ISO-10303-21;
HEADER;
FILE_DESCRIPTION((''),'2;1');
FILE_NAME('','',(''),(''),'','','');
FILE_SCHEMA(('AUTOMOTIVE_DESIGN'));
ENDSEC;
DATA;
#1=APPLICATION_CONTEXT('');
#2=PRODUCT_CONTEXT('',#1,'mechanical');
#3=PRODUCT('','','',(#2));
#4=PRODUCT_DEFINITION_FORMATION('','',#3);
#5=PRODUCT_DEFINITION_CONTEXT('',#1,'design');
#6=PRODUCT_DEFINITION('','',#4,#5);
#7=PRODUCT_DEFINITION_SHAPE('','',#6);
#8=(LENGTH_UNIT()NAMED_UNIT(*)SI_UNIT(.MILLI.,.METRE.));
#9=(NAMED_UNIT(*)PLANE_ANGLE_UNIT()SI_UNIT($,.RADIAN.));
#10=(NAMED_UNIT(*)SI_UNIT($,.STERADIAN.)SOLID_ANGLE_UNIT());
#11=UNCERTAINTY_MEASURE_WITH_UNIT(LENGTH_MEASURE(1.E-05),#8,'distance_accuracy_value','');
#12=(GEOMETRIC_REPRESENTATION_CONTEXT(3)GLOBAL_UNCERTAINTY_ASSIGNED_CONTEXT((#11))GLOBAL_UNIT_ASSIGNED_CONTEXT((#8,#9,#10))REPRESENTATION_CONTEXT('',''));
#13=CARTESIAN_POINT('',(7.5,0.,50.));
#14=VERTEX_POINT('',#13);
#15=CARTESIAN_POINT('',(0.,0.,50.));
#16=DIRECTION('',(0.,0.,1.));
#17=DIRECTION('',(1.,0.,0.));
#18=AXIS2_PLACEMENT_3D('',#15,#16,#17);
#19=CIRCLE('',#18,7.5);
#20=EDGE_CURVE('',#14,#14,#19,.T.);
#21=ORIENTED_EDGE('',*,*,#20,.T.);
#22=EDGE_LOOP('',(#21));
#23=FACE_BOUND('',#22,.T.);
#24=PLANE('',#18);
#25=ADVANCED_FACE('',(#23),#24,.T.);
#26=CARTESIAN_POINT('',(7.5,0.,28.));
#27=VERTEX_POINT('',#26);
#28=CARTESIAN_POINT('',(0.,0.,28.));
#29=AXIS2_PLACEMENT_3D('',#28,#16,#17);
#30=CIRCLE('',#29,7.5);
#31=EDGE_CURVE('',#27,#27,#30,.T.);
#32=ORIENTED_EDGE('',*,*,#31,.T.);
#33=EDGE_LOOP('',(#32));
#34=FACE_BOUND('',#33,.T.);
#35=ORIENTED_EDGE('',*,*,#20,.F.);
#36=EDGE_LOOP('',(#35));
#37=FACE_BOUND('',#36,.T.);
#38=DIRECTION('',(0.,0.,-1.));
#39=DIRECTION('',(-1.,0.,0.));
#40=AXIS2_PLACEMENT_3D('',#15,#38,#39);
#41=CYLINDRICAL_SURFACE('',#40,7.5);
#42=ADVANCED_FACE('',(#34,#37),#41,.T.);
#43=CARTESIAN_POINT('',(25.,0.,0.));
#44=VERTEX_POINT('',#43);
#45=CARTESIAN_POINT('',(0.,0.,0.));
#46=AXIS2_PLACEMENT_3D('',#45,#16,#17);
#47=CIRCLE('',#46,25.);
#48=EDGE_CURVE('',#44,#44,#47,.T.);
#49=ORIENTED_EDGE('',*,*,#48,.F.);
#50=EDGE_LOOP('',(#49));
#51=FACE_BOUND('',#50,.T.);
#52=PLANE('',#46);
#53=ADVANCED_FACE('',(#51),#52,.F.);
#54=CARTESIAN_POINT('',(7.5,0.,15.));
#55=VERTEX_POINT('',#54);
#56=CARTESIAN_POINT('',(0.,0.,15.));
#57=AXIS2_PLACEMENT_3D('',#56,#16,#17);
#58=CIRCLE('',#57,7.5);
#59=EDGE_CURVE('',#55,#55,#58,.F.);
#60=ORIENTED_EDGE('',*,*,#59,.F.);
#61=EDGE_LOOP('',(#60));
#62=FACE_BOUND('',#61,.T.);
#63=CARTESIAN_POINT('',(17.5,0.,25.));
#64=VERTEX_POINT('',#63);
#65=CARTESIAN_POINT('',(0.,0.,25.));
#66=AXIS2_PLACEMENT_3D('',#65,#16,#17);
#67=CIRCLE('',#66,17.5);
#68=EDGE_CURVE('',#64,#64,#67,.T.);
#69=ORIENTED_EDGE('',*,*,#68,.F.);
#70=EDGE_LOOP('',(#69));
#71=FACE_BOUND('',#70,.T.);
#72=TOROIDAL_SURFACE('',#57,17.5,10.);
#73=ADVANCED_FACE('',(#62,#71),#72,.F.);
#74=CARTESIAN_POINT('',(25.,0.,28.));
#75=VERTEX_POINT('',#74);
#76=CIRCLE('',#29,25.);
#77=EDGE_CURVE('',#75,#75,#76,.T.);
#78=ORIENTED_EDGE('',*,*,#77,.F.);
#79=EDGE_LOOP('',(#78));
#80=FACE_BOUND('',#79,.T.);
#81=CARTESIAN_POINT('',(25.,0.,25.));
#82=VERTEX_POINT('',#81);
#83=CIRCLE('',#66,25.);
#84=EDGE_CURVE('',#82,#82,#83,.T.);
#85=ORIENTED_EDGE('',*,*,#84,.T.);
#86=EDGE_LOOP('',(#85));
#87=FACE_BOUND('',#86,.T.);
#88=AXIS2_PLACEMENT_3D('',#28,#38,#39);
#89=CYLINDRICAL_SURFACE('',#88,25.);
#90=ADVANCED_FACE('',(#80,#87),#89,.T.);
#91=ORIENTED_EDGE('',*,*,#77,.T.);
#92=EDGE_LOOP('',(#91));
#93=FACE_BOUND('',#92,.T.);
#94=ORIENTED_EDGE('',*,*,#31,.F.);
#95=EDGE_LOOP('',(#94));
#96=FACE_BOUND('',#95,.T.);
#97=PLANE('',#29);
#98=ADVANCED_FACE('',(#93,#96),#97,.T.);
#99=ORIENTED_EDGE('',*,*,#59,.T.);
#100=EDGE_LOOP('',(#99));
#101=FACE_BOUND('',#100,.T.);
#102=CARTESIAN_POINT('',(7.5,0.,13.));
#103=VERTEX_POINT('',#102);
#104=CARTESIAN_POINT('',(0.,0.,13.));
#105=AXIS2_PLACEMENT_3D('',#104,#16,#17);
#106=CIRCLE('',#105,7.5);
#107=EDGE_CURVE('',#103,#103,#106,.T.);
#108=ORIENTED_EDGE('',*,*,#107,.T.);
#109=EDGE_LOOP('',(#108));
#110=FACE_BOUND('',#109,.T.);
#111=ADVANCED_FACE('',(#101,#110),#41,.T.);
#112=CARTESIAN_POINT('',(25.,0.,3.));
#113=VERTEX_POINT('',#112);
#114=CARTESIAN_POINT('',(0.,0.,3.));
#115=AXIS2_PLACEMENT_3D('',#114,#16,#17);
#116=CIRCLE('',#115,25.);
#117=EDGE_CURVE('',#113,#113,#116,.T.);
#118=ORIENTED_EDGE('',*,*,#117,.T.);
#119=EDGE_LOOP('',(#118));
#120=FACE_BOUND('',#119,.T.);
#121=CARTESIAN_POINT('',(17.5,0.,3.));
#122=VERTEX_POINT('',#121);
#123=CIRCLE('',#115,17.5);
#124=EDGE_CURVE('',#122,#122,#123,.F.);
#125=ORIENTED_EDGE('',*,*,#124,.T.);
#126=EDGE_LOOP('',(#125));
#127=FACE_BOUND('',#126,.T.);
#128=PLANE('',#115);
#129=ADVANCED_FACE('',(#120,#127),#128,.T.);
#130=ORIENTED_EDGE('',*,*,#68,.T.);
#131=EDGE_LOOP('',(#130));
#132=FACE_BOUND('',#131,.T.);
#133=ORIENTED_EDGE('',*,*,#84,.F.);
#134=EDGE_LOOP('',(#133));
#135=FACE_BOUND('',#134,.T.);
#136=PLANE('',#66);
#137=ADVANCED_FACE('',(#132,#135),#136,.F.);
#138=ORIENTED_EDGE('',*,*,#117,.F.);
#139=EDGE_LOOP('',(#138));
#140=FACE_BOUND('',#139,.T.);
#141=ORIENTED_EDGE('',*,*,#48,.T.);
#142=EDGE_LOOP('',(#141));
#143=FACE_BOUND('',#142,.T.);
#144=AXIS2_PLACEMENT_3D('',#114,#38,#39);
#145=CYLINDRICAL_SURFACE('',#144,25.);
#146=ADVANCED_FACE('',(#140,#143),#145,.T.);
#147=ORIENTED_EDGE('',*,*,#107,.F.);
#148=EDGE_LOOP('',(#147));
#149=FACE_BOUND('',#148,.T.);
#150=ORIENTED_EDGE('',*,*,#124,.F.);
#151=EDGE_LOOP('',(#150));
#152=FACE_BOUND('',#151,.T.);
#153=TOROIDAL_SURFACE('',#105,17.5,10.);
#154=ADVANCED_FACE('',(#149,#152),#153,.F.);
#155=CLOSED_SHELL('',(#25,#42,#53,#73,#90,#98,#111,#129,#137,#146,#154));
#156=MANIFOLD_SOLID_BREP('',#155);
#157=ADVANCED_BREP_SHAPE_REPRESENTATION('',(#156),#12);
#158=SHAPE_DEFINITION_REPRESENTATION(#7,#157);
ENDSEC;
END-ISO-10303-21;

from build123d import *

# Parameters (mm, degrees)
CROQUIS1_R              = 7.5
SALIENTE_EXTRUIR2_DEPTH = 50
CROQUIS4_R              = 25
SALIENTE_EXTRUIR3_DEPTH = 3
SALIENTE_EXTRUIR4_START = 25
CROQUIS5_R              = 25
SALIENTE_EXTRUIR4_DEPTH = 3
REDONDEO2_R             = 10


with BuildPart() as part:
    # Croquis1 → Saliente-Extruir2 (new body)
    with BuildSketch(Plane.XY):
        Circle(CROQUIS1_R)
    extrude(amount=SALIENTE_EXTRUIR2_DEPTH)

    # Croquis4 → Saliente-Extruir3 (add)
    with BuildSketch(Plane.XY):
        Circle(CROQUIS4_R)
    extrude(amount=SALIENTE_EXTRUIR3_DEPTH)

    # Croquis5 → Saliente-Extruir4 (add)
    with BuildSketch(Plane.XY.offset(SALIENTE_EXTRUIR4_START)):
        Circle(CROQUIS5_R)
    extrude(amount=SALIENTE_EXTRUIR4_DEPTH)

    # Redondeo2
    redondeo2_edges = [part.edges().sort_by_distance(p)[0] for p in [
        (-7.5, 0, 25),
        (-7.5, 0, 3),
    ]]
    fillet(redondeo2_edges, radius=REDONDEO2_R)


solid = part.part
